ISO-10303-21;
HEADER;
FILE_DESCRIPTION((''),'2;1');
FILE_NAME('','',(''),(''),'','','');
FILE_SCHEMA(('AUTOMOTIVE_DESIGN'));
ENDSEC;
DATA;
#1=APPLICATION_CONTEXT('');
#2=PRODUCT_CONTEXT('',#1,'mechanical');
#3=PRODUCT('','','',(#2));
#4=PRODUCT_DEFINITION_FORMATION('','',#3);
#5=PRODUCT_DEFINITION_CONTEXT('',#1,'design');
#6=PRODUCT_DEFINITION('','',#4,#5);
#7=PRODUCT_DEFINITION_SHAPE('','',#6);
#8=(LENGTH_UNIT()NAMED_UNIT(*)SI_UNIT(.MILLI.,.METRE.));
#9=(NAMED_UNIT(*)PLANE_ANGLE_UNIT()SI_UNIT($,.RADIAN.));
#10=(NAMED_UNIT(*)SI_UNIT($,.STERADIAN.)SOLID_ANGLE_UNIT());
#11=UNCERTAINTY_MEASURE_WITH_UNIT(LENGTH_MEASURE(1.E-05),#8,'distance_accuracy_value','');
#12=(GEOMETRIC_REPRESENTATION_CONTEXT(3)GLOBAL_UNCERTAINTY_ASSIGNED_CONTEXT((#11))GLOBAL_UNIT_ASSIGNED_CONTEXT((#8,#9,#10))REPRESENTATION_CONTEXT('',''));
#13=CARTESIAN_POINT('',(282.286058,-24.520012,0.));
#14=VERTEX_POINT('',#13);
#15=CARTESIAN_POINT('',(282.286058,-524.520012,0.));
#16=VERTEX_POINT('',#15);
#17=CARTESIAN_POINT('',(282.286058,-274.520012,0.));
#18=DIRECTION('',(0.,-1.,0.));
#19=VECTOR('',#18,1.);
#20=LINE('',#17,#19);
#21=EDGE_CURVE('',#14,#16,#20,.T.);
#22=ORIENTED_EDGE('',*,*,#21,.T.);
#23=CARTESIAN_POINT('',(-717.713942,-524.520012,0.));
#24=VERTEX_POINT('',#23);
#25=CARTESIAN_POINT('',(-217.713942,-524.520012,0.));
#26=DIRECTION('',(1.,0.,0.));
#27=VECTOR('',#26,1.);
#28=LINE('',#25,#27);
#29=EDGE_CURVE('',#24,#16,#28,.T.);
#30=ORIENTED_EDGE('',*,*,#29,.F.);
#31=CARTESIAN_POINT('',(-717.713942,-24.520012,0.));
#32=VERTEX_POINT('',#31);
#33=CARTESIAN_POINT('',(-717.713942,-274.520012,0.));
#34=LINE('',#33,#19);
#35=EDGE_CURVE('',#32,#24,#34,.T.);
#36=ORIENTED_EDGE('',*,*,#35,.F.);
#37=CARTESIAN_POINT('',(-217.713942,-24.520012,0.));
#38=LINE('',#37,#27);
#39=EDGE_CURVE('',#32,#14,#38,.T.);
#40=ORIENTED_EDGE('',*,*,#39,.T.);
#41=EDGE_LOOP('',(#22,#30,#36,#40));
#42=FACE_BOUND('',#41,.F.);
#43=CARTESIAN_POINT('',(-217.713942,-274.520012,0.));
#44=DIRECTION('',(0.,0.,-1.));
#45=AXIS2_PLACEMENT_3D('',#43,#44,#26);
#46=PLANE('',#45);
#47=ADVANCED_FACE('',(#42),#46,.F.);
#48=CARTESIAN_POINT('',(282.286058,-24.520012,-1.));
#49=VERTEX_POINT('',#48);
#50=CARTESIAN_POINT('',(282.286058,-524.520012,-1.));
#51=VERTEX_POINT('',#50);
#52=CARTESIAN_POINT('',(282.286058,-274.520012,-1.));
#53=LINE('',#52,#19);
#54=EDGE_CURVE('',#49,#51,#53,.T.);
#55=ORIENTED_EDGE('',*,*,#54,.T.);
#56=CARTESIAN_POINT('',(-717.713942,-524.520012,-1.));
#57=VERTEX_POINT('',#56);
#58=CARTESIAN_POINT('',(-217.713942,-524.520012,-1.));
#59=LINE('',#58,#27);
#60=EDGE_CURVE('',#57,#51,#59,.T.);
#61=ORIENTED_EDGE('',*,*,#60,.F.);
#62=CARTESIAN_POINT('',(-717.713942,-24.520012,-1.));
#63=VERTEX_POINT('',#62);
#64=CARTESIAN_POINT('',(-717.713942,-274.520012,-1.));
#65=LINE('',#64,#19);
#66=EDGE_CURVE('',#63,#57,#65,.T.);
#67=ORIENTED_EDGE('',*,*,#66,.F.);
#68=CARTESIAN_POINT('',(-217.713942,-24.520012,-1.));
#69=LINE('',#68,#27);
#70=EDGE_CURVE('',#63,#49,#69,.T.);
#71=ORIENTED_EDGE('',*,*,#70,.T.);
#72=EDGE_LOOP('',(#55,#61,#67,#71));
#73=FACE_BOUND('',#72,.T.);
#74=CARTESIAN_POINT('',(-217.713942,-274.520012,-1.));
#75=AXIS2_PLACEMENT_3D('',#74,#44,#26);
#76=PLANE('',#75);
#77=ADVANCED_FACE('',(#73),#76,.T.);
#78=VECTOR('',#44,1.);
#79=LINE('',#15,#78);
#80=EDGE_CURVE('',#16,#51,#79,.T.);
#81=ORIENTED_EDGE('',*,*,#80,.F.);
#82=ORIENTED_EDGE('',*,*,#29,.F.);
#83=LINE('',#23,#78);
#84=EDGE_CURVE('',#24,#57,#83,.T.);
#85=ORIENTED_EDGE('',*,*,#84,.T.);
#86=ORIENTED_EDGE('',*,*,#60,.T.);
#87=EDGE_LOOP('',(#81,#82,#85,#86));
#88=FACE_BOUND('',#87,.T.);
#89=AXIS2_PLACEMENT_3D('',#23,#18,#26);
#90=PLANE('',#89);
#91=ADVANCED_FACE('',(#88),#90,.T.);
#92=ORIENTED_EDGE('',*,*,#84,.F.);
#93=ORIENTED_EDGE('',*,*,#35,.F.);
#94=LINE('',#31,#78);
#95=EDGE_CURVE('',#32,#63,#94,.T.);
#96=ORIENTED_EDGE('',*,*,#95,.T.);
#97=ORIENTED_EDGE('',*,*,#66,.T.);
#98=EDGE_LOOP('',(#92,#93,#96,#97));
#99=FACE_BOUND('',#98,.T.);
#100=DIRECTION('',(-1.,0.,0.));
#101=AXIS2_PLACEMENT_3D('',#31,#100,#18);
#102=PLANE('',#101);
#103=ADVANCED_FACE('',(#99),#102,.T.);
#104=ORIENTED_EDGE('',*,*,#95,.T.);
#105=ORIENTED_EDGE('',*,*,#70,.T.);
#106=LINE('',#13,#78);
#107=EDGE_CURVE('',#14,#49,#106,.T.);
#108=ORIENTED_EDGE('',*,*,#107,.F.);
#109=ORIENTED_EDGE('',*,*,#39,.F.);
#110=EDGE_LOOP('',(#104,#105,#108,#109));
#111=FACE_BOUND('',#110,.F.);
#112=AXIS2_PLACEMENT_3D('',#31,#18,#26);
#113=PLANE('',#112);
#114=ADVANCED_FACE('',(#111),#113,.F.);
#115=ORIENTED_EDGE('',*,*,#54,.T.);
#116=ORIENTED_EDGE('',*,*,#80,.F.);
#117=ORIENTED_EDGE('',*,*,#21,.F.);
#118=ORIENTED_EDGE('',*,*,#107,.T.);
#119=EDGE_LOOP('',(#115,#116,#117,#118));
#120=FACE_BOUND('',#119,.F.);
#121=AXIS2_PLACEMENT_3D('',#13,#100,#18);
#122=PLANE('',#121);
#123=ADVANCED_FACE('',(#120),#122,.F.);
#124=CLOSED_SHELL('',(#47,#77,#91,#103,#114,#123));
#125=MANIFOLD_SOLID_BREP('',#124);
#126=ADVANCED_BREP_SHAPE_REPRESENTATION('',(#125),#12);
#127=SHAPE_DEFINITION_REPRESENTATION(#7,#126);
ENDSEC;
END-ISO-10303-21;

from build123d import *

# Parameters (mm, degrees)
COPYSKETCH001_W = 1000
COPYSKETCH001_H = 500
PAD_DEPTH       = 1


with BuildPart() as part:
    # CopySketch001 → Pad (new body)
    with BuildSketch(Plane(origin=(0, 0, 0), x_dir=(1, 0, 0), z_dir=(0, 0, -1))):
        with Locations((-217.713942, 274.520012)):
            Rectangle(COPYSKETCH001_W, COPYSKETCH001_H)
    extrude(amount=PAD_DEPTH)


solid = part.part
